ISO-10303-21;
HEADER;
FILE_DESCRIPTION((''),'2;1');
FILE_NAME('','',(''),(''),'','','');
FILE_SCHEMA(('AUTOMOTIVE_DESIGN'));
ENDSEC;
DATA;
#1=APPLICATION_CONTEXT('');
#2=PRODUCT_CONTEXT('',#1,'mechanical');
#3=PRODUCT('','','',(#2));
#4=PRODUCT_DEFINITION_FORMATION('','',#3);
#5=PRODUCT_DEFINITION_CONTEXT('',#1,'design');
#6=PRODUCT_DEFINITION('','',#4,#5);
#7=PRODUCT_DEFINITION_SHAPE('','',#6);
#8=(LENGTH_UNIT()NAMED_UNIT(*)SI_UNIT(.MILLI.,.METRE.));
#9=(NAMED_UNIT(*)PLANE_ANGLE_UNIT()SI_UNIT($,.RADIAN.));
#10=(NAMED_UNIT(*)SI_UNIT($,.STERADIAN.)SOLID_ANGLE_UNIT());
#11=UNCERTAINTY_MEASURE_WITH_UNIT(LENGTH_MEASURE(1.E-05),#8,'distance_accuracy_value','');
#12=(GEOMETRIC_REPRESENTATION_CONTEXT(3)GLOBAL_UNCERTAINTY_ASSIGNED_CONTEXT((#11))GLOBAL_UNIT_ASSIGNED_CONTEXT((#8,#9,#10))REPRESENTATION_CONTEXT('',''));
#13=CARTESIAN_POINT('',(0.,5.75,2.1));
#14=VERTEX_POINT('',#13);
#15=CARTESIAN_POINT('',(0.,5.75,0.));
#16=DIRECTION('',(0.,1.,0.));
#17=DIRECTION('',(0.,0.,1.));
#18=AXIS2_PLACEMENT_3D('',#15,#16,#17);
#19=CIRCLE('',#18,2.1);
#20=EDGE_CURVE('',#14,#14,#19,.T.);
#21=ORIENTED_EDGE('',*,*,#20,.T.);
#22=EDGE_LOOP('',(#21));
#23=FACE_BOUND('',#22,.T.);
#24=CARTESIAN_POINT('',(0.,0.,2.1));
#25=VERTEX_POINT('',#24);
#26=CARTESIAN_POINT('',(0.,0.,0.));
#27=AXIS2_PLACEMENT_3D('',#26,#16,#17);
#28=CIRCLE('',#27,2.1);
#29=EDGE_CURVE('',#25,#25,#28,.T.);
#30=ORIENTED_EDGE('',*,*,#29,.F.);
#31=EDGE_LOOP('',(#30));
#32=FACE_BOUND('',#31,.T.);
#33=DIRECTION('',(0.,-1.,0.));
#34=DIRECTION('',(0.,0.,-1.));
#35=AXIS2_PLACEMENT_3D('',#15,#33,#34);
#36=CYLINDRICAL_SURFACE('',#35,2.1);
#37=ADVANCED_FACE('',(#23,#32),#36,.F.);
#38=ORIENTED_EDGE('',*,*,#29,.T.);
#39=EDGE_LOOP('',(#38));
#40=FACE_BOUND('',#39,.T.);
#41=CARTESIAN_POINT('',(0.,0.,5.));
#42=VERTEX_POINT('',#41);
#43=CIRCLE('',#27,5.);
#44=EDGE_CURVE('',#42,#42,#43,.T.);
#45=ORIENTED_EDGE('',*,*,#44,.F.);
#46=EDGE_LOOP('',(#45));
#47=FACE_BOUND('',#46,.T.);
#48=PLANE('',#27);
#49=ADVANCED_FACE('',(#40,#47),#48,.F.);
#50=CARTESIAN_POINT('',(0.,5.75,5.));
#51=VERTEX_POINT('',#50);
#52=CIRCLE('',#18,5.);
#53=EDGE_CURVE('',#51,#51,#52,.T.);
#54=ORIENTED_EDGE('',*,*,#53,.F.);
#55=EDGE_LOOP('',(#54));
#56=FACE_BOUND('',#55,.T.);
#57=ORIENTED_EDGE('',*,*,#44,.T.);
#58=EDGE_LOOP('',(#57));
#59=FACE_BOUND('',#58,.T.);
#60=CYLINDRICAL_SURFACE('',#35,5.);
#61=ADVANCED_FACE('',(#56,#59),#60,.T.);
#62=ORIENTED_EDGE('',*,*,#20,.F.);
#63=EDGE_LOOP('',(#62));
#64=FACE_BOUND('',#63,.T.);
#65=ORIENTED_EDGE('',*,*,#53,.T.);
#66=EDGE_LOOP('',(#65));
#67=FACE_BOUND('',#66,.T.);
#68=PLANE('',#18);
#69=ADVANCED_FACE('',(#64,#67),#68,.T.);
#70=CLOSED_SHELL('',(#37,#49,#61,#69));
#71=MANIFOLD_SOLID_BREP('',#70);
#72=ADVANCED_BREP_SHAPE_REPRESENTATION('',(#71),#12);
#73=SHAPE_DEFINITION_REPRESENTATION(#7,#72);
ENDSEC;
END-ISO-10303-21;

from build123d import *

# Parameters (mm, degrees)
SKETCH_1_R      = 5
SKETCH_1_R_2    = 2.1
EXTRUDE_1_DEPTH = 5.75


with BuildPart() as part:
    # ｽｹｯﾁ1 → ﾎﾞｽ - 押し出し1 (new body)
    with BuildSketch(Plane(origin=(0, 0, 0), x_dir=(1, 0, 0), z_dir=(0, 1, 0))):
        with Locations(Location((0, 0, 0), (0, 0, 270))):
            Circle(SKETCH_1_R)
        with Locations(Location((0, 0, 0), (0, 0, 270))):
            Circle(SKETCH_1_R_2, mode=Mode.SUBTRACT)
    extrude(amount=EXTRUDE_1_DEPTH)


solid = part.part
